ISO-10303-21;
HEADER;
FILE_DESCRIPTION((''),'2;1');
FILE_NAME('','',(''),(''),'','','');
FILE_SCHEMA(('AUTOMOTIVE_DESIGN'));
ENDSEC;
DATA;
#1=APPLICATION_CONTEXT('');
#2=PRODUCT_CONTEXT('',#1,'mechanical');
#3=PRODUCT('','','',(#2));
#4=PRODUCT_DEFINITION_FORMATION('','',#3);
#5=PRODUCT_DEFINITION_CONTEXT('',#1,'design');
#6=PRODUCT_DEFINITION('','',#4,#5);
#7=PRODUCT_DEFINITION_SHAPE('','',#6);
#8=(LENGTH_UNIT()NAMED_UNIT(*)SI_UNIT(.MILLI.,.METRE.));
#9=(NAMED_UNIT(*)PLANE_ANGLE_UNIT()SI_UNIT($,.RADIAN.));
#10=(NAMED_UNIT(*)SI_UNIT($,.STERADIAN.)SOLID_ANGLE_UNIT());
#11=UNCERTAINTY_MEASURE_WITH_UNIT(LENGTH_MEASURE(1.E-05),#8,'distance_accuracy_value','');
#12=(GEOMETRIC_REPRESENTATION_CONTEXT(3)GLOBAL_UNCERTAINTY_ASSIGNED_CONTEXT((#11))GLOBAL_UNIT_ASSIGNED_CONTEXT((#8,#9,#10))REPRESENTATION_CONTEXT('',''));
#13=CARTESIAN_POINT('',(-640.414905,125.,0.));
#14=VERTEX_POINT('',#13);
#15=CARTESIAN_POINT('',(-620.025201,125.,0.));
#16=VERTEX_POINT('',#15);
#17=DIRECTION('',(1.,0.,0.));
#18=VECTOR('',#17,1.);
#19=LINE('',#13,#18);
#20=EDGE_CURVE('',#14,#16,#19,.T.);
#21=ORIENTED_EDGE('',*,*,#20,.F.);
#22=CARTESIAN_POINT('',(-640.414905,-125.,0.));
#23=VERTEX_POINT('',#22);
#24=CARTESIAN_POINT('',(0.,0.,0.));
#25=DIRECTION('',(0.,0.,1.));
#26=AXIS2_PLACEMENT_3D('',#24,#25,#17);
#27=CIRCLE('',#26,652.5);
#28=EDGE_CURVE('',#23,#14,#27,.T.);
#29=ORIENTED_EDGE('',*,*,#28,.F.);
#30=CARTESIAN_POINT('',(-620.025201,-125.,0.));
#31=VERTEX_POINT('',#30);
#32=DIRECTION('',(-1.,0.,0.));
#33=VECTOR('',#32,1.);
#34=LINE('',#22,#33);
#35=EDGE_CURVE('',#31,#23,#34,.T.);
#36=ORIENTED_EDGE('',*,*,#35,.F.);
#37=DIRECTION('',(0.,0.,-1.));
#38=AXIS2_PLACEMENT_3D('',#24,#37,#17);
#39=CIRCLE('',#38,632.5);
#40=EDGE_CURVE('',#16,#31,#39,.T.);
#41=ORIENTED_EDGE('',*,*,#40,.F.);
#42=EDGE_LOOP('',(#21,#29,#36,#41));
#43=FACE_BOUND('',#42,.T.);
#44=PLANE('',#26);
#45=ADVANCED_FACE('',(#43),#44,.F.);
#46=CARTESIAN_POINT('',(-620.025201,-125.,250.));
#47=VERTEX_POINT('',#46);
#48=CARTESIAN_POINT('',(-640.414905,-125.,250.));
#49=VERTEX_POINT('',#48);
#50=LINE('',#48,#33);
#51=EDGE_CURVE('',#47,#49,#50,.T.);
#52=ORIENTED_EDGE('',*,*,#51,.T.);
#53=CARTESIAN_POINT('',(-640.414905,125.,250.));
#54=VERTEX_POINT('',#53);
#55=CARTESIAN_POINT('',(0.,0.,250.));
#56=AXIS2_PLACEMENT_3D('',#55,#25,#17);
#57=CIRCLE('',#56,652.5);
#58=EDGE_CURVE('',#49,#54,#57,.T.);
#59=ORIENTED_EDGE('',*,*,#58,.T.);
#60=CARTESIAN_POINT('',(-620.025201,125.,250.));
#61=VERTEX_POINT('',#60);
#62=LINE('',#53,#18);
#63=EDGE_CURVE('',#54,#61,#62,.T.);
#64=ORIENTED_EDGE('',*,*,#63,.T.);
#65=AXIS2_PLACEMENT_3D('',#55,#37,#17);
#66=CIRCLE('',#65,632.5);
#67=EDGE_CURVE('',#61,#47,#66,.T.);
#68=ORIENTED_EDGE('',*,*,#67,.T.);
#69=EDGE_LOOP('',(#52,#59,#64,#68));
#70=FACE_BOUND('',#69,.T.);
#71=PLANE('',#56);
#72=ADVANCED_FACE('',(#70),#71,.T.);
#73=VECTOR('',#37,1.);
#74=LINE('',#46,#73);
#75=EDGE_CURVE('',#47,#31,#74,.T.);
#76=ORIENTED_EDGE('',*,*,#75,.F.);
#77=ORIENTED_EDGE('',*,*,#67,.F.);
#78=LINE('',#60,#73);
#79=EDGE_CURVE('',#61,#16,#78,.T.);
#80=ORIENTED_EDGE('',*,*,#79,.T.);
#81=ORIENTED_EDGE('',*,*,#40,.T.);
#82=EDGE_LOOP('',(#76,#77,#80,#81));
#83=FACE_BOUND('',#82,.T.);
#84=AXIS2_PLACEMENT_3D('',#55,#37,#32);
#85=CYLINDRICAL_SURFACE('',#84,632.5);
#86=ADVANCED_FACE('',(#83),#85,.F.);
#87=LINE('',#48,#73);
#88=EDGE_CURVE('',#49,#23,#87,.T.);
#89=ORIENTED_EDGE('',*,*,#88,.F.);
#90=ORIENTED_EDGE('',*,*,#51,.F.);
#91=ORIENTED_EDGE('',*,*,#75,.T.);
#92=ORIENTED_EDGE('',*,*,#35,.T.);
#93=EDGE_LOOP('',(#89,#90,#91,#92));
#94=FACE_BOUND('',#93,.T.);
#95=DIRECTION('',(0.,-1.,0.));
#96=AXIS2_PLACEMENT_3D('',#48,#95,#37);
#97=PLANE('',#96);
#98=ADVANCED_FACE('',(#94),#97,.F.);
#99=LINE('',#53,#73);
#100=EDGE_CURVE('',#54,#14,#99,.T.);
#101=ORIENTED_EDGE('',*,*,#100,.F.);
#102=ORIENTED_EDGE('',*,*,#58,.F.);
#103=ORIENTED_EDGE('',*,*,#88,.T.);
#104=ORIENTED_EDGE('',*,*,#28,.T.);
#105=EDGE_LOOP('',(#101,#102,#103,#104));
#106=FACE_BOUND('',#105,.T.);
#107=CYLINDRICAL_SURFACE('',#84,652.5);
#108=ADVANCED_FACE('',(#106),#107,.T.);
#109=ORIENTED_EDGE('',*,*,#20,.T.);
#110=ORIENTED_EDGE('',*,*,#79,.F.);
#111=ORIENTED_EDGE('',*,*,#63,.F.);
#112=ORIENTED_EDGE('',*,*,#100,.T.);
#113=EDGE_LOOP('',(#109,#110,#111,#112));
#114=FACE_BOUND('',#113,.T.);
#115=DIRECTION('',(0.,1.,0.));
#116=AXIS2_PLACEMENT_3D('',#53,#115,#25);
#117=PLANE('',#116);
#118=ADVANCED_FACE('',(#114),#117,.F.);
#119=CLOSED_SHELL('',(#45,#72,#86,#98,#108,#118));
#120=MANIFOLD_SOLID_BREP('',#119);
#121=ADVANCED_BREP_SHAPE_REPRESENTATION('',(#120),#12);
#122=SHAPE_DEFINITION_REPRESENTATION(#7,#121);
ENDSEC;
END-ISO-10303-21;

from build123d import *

# Parameters (mm, degrees)
BOSS_EXTRUDE1_DEPTH = 250


with BuildPart() as part:
    # Sketch1 → Boss-Extrude1 (new body)
    with BuildSketch(Plane.XY):
        with BuildLine():
            Line((-640.414904574, -125), (-620.025201101, -125))
            ThreePointArc((-620.025201101, -125), (632.5, 0), (-620.025201101, 125))
            Line((-620.025201101, 125), (-640.414904574, 125))
            ThreePointArc((-640.414904574, 125), (652.5, 0), (-640.414904574, -125))
        make_face()
    extrude(amount=BOSS_EXTRUDE1_DEPTH)


solid = part.part
